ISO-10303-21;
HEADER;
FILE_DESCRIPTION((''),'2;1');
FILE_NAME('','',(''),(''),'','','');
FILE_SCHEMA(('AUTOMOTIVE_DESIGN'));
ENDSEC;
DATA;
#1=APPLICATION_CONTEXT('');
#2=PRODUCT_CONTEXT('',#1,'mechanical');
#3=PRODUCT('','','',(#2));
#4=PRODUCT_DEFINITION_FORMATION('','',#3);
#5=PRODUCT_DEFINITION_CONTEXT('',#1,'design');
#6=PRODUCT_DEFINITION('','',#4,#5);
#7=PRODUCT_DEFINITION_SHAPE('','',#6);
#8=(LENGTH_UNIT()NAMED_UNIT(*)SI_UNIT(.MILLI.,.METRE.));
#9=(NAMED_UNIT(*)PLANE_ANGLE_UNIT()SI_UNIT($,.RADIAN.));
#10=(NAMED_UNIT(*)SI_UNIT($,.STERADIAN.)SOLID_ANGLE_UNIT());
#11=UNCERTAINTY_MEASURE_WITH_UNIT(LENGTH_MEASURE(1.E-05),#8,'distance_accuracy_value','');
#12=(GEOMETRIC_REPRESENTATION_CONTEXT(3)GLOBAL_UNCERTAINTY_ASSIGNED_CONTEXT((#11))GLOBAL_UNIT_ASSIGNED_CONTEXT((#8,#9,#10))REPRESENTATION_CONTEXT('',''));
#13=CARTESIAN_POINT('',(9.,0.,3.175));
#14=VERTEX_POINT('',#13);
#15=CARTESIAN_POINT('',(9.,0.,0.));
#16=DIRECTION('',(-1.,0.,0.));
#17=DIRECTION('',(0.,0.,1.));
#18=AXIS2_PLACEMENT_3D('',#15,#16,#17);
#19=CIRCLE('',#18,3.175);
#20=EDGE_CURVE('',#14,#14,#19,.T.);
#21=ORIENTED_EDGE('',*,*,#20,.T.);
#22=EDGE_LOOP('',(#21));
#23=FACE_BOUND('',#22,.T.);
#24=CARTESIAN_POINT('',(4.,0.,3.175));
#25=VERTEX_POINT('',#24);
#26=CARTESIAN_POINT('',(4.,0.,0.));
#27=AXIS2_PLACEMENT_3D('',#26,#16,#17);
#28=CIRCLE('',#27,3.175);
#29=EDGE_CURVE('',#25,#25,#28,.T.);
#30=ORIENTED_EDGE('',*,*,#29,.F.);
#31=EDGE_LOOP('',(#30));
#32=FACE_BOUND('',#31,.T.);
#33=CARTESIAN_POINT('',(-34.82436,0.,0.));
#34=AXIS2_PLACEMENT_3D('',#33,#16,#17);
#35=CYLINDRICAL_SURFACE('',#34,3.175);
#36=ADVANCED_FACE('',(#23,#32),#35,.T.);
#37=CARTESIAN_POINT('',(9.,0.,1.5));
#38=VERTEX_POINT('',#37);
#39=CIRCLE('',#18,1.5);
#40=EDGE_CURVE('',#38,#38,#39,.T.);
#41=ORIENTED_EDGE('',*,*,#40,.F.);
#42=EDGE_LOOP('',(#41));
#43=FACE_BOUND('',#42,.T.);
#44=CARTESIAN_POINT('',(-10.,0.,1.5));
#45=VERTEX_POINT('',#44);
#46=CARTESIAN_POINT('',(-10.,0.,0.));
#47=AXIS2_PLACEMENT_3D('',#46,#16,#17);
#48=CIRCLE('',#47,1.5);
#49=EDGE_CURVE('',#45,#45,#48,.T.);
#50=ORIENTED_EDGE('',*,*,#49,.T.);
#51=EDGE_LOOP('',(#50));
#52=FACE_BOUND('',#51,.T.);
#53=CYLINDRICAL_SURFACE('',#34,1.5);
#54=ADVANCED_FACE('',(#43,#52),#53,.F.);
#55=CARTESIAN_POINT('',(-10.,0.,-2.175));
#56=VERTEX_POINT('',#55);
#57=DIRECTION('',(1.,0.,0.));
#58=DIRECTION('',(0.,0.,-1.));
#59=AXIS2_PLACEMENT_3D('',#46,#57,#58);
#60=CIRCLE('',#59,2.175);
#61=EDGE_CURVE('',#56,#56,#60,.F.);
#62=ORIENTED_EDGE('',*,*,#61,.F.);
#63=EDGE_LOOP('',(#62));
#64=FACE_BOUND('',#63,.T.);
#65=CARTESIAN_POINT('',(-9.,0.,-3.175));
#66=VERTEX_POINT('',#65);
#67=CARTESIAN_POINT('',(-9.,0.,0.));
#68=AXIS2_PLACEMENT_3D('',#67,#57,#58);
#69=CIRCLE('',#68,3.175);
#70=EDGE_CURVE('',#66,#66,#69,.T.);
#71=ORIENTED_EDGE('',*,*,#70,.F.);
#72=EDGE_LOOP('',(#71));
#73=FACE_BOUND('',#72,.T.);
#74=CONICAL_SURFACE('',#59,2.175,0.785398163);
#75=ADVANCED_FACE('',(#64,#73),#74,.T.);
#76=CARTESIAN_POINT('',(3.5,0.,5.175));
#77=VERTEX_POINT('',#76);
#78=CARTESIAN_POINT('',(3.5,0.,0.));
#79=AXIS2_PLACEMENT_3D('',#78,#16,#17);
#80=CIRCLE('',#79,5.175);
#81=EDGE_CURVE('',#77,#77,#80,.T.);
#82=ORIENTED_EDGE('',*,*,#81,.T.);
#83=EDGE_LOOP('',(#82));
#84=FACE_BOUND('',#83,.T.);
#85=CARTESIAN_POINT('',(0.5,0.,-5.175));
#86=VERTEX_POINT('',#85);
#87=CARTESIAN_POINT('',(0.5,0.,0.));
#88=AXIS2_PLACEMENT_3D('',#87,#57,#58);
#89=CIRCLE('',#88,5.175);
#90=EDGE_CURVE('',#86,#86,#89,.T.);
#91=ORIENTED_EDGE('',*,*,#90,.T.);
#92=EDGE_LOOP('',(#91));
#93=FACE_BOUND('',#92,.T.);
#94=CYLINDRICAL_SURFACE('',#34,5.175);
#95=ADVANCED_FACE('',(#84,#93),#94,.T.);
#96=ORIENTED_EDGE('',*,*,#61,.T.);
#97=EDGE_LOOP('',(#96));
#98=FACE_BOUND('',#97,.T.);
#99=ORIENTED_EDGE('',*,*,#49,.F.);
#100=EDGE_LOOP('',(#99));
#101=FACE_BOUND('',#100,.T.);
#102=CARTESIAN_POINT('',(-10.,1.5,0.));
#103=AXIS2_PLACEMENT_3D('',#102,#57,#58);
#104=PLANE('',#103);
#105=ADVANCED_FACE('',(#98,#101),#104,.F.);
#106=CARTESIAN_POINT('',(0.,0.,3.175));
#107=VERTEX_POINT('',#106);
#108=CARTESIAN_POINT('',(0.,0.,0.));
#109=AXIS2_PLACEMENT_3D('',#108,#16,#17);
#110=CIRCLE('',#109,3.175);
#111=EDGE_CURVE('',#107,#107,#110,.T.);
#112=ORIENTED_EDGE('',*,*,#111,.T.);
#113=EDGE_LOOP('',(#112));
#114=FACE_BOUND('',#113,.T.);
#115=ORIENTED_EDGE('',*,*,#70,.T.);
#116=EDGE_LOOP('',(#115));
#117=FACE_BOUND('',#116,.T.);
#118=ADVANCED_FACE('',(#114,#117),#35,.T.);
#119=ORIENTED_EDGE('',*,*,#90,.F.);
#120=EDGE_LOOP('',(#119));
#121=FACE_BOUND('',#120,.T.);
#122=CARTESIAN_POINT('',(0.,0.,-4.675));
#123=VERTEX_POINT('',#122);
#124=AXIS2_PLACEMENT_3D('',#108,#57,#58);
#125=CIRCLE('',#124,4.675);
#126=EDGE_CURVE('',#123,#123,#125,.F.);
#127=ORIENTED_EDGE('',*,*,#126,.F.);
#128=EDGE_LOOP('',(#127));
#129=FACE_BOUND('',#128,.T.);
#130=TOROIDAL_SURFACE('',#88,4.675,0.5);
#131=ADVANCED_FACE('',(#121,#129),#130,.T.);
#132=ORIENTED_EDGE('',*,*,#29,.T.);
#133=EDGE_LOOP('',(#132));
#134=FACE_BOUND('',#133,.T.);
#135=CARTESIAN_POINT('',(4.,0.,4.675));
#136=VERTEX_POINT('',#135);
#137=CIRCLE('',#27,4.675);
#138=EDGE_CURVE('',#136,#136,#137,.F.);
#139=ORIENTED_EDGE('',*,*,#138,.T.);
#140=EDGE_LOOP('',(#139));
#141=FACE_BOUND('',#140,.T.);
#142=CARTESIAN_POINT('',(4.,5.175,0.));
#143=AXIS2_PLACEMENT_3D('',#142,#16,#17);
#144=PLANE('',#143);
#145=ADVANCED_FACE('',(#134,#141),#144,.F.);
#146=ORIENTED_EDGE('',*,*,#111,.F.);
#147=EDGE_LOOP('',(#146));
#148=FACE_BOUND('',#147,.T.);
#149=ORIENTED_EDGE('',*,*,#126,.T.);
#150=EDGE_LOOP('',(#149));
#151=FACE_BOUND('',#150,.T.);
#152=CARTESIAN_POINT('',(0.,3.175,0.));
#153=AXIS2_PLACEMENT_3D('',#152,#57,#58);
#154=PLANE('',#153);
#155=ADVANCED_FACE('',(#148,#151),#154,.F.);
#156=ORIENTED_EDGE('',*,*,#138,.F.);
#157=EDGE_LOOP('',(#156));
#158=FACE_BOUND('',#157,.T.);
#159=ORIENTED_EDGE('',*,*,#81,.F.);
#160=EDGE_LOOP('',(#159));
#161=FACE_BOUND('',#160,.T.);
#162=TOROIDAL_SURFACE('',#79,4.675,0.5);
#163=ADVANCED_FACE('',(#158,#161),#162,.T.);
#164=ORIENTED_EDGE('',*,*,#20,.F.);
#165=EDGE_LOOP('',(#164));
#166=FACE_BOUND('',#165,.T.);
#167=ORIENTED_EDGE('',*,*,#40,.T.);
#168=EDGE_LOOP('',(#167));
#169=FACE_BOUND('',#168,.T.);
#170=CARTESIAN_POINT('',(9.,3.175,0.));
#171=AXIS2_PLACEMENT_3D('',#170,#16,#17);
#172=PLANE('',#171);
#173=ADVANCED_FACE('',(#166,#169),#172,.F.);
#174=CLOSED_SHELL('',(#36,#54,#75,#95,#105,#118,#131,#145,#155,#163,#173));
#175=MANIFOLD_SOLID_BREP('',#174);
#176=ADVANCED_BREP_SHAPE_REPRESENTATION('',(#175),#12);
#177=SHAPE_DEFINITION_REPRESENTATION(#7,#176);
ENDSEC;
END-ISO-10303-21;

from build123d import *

# Parameters (mm, degrees)
CHAMFER1_SIZE = 1
FILLET1_R     = 0.5


with BuildPart() as part:
    # Sketch1 → Revolve1 (revolve)
    with BuildSketch(Plane.XY):
        Polygon((-10, 1.5), (-10, 3.175), (0, 3.175), (0, 5.175), (4, 5.175), (4, 3.175), (9, 3.175), (9, 1.5), align=None)
    revolve(axis=Axis((-34.824359623, 0, 0), (1, 0, 0)))

    # Chamfer1
    chamfer1_edges = [part.edges().sort_by_distance(p)[0] for p in [
        (-10, -3.175, 0),
    ]]
    chamfer(chamfer1_edges, length=CHAMFER1_SIZE)

    # Fillet1
    fillet1_edges = [part.edges().sort_by_distance(p)[0] for p in [
        (0, -5.175, 0),
        (4, -5.175, 0),
    ]]
    fillet(fillet1_edges, radius=FILLET1_R)


solid = part.part
